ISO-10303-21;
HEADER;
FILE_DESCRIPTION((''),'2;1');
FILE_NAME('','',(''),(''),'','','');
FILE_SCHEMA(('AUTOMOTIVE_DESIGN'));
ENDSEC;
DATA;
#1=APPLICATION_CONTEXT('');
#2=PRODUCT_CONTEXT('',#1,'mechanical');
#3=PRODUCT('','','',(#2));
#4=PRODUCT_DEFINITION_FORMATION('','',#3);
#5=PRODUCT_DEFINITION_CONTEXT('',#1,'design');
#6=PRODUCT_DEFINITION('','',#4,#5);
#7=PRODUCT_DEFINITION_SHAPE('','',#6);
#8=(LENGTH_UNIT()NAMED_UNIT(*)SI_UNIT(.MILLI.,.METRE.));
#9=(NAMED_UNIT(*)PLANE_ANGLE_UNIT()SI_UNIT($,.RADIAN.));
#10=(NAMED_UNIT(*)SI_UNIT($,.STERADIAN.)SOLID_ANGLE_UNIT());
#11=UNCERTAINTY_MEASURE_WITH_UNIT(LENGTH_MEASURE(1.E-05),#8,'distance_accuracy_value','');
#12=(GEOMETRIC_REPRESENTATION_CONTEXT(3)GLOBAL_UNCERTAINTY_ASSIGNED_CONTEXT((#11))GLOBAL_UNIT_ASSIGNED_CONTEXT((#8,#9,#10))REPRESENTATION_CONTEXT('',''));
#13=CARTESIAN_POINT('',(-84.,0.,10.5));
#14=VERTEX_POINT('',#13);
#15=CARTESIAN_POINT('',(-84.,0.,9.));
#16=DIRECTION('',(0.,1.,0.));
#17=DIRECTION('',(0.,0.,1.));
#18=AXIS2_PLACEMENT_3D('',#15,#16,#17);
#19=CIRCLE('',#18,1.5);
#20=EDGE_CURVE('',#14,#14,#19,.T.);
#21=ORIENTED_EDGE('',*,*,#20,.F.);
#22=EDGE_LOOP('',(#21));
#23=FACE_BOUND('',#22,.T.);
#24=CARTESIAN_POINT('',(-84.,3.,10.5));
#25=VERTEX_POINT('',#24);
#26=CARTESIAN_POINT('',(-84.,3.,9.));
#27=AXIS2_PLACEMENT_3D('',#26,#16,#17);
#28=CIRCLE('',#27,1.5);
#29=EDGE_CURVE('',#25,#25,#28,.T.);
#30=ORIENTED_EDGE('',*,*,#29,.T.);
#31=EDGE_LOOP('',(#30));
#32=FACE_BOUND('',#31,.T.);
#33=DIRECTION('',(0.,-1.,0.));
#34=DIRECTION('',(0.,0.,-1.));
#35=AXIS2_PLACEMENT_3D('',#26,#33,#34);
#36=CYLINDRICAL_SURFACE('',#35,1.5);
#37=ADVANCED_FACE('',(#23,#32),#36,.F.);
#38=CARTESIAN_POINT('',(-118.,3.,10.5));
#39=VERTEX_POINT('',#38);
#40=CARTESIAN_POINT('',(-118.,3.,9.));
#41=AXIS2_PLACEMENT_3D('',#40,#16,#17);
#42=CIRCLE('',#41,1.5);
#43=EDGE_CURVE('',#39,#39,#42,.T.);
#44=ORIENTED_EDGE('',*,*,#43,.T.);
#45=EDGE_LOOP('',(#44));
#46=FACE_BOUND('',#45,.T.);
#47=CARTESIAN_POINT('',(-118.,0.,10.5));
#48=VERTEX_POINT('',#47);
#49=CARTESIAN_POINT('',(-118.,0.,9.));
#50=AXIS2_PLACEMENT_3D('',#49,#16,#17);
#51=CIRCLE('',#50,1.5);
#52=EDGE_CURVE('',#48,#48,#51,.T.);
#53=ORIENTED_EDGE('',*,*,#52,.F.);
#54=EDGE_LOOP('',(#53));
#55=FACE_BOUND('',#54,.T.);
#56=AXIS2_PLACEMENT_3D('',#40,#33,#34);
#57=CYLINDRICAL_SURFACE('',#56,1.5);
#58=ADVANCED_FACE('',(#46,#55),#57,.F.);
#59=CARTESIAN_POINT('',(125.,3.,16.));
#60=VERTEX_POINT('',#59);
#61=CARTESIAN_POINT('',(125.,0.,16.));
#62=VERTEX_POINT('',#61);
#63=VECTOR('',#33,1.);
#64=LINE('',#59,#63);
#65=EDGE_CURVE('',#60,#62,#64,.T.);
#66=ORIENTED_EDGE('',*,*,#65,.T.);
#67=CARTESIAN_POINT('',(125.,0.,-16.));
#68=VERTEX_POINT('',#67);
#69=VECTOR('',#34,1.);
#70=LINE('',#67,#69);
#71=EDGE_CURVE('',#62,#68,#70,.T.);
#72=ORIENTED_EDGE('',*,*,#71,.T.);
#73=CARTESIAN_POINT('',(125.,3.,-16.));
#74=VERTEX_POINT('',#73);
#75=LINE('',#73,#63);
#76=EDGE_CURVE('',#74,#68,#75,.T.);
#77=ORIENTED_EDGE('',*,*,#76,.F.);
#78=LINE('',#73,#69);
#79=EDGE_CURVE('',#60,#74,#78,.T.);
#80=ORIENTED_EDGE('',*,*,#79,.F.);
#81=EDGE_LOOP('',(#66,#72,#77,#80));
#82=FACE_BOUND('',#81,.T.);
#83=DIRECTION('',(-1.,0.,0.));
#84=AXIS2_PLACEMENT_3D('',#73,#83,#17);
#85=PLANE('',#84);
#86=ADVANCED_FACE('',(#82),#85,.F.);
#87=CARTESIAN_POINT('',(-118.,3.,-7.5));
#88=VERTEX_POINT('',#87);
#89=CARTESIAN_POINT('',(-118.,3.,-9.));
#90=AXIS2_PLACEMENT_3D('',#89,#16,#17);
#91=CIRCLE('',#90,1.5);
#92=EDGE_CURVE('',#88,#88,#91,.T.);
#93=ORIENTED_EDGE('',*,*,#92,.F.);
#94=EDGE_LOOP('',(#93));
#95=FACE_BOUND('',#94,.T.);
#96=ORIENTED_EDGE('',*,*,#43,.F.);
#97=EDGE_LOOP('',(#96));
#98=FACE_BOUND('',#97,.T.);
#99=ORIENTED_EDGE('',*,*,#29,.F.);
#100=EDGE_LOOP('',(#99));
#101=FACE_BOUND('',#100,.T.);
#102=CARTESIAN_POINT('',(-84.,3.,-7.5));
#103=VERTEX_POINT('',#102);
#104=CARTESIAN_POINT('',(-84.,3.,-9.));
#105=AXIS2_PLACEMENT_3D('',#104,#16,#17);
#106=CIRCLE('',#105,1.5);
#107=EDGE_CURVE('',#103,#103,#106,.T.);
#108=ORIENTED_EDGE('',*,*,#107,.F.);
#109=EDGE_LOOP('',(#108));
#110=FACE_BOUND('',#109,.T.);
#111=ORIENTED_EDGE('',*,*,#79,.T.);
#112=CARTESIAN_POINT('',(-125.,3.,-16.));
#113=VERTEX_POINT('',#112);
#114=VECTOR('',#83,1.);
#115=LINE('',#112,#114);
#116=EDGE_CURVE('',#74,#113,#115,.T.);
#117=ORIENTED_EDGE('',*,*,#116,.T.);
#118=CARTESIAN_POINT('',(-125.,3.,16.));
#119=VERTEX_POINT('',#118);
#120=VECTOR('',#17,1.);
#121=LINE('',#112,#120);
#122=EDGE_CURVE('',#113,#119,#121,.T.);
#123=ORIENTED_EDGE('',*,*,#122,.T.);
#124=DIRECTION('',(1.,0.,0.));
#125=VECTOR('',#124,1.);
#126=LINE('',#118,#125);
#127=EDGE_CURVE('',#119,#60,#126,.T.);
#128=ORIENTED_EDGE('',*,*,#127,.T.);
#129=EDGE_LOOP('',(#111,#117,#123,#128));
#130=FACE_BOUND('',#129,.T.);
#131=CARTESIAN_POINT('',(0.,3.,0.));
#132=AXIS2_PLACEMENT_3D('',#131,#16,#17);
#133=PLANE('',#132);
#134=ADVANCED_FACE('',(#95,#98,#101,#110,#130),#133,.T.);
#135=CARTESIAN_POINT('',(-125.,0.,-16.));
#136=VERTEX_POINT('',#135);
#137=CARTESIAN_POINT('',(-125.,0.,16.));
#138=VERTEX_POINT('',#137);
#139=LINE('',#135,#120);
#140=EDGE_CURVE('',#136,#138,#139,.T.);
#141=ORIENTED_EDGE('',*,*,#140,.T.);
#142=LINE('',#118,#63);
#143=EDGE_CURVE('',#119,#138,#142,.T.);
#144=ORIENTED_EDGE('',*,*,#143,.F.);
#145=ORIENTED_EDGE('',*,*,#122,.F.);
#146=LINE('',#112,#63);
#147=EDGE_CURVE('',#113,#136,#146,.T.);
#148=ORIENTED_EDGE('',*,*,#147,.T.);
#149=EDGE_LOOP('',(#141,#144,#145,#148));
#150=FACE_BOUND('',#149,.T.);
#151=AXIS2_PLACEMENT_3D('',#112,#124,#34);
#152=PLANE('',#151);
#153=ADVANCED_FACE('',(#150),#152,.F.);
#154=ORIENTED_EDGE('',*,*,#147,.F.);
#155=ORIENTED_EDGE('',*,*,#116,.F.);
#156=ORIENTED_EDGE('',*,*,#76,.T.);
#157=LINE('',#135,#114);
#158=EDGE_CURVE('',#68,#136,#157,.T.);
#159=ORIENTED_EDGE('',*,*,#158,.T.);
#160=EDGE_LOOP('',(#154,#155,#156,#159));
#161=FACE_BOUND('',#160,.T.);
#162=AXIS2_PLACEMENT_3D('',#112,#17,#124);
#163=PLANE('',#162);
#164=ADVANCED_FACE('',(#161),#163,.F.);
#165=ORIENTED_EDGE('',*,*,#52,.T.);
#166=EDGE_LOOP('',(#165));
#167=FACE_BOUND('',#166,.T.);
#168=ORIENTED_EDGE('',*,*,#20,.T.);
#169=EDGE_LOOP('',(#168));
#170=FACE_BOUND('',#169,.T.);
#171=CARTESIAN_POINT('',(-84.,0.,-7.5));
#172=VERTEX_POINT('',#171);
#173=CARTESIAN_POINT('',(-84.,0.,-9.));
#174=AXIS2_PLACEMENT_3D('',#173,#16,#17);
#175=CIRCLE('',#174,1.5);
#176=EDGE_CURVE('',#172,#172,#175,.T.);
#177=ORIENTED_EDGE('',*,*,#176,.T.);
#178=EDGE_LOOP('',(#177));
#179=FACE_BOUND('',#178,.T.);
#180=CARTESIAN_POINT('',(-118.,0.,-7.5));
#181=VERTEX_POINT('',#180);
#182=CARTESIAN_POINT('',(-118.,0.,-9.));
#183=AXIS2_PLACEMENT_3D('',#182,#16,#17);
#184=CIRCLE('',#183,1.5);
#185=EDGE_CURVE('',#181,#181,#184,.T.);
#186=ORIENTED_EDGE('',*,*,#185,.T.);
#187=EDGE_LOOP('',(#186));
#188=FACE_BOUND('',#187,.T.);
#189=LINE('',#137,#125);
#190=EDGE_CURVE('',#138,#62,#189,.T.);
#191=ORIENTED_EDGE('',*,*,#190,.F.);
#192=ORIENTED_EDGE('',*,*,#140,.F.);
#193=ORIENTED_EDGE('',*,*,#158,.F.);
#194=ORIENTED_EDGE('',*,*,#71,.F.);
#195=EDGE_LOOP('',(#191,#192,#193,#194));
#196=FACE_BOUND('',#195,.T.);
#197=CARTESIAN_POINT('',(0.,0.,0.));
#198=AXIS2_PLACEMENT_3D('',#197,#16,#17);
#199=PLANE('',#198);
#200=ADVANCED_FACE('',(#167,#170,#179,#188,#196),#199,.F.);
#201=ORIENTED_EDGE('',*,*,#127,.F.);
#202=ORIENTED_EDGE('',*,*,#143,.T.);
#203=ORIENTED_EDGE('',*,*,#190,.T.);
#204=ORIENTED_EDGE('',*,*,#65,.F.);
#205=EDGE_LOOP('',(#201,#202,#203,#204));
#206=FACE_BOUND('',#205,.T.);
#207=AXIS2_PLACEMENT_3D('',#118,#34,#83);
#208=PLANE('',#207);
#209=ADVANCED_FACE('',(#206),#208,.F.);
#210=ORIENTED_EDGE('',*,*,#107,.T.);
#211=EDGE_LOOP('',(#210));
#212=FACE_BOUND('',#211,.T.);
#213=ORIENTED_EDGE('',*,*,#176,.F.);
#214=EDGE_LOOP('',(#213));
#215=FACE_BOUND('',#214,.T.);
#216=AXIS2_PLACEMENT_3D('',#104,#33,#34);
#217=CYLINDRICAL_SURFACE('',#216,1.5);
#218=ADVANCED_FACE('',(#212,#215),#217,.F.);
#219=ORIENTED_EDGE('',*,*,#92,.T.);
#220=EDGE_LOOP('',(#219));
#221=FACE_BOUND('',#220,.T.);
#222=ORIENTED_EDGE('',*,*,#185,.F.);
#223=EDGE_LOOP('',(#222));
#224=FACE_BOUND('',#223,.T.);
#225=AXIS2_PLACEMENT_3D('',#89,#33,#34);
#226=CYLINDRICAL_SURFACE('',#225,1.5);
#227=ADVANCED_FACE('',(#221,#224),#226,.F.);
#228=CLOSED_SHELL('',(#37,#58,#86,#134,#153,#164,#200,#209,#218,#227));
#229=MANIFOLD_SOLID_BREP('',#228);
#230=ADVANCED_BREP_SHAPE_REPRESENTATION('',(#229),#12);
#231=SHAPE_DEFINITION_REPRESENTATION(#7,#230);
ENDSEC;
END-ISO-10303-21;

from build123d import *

# Parameters (mm, degrees)
SKETCH1_W           = 250
SKETCH1_H           = 32
SKETCH1_R           = 1.5
BOSS_EXTRUDE1_DEPTH = 3


with BuildPart() as part:
    # Sketch1 → Boss-Extrude1 (new body)
    with BuildSketch(Plane(origin=(0, 0, 0), x_dir=(1, 0, 0), z_dir=(0, 1, 0))):
        Rectangle(SKETCH1_W, SKETCH1_H)
        with Locations(Location((-118, 9, 0), (0, 0, 270))):
            Circle(SKETCH1_R, mode=Mode.SUBTRACT)
        with Locations(Location((-118, -9, 0), (0, 0, 270))):
            Circle(SKETCH1_R, mode=Mode.SUBTRACT)
        with Locations(Location((-84, -9, 0), (0, 0, 270))):
            Circle(SKETCH1_R, mode=Mode.SUBTRACT)
        with Locations(Location((-84, 9, 0), (0, 0, 270))):
            Circle(SKETCH1_R, mode=Mode.SUBTRACT)
    extrude(amount=BOSS_EXTRUDE1_DEPTH)


solid = part.part
